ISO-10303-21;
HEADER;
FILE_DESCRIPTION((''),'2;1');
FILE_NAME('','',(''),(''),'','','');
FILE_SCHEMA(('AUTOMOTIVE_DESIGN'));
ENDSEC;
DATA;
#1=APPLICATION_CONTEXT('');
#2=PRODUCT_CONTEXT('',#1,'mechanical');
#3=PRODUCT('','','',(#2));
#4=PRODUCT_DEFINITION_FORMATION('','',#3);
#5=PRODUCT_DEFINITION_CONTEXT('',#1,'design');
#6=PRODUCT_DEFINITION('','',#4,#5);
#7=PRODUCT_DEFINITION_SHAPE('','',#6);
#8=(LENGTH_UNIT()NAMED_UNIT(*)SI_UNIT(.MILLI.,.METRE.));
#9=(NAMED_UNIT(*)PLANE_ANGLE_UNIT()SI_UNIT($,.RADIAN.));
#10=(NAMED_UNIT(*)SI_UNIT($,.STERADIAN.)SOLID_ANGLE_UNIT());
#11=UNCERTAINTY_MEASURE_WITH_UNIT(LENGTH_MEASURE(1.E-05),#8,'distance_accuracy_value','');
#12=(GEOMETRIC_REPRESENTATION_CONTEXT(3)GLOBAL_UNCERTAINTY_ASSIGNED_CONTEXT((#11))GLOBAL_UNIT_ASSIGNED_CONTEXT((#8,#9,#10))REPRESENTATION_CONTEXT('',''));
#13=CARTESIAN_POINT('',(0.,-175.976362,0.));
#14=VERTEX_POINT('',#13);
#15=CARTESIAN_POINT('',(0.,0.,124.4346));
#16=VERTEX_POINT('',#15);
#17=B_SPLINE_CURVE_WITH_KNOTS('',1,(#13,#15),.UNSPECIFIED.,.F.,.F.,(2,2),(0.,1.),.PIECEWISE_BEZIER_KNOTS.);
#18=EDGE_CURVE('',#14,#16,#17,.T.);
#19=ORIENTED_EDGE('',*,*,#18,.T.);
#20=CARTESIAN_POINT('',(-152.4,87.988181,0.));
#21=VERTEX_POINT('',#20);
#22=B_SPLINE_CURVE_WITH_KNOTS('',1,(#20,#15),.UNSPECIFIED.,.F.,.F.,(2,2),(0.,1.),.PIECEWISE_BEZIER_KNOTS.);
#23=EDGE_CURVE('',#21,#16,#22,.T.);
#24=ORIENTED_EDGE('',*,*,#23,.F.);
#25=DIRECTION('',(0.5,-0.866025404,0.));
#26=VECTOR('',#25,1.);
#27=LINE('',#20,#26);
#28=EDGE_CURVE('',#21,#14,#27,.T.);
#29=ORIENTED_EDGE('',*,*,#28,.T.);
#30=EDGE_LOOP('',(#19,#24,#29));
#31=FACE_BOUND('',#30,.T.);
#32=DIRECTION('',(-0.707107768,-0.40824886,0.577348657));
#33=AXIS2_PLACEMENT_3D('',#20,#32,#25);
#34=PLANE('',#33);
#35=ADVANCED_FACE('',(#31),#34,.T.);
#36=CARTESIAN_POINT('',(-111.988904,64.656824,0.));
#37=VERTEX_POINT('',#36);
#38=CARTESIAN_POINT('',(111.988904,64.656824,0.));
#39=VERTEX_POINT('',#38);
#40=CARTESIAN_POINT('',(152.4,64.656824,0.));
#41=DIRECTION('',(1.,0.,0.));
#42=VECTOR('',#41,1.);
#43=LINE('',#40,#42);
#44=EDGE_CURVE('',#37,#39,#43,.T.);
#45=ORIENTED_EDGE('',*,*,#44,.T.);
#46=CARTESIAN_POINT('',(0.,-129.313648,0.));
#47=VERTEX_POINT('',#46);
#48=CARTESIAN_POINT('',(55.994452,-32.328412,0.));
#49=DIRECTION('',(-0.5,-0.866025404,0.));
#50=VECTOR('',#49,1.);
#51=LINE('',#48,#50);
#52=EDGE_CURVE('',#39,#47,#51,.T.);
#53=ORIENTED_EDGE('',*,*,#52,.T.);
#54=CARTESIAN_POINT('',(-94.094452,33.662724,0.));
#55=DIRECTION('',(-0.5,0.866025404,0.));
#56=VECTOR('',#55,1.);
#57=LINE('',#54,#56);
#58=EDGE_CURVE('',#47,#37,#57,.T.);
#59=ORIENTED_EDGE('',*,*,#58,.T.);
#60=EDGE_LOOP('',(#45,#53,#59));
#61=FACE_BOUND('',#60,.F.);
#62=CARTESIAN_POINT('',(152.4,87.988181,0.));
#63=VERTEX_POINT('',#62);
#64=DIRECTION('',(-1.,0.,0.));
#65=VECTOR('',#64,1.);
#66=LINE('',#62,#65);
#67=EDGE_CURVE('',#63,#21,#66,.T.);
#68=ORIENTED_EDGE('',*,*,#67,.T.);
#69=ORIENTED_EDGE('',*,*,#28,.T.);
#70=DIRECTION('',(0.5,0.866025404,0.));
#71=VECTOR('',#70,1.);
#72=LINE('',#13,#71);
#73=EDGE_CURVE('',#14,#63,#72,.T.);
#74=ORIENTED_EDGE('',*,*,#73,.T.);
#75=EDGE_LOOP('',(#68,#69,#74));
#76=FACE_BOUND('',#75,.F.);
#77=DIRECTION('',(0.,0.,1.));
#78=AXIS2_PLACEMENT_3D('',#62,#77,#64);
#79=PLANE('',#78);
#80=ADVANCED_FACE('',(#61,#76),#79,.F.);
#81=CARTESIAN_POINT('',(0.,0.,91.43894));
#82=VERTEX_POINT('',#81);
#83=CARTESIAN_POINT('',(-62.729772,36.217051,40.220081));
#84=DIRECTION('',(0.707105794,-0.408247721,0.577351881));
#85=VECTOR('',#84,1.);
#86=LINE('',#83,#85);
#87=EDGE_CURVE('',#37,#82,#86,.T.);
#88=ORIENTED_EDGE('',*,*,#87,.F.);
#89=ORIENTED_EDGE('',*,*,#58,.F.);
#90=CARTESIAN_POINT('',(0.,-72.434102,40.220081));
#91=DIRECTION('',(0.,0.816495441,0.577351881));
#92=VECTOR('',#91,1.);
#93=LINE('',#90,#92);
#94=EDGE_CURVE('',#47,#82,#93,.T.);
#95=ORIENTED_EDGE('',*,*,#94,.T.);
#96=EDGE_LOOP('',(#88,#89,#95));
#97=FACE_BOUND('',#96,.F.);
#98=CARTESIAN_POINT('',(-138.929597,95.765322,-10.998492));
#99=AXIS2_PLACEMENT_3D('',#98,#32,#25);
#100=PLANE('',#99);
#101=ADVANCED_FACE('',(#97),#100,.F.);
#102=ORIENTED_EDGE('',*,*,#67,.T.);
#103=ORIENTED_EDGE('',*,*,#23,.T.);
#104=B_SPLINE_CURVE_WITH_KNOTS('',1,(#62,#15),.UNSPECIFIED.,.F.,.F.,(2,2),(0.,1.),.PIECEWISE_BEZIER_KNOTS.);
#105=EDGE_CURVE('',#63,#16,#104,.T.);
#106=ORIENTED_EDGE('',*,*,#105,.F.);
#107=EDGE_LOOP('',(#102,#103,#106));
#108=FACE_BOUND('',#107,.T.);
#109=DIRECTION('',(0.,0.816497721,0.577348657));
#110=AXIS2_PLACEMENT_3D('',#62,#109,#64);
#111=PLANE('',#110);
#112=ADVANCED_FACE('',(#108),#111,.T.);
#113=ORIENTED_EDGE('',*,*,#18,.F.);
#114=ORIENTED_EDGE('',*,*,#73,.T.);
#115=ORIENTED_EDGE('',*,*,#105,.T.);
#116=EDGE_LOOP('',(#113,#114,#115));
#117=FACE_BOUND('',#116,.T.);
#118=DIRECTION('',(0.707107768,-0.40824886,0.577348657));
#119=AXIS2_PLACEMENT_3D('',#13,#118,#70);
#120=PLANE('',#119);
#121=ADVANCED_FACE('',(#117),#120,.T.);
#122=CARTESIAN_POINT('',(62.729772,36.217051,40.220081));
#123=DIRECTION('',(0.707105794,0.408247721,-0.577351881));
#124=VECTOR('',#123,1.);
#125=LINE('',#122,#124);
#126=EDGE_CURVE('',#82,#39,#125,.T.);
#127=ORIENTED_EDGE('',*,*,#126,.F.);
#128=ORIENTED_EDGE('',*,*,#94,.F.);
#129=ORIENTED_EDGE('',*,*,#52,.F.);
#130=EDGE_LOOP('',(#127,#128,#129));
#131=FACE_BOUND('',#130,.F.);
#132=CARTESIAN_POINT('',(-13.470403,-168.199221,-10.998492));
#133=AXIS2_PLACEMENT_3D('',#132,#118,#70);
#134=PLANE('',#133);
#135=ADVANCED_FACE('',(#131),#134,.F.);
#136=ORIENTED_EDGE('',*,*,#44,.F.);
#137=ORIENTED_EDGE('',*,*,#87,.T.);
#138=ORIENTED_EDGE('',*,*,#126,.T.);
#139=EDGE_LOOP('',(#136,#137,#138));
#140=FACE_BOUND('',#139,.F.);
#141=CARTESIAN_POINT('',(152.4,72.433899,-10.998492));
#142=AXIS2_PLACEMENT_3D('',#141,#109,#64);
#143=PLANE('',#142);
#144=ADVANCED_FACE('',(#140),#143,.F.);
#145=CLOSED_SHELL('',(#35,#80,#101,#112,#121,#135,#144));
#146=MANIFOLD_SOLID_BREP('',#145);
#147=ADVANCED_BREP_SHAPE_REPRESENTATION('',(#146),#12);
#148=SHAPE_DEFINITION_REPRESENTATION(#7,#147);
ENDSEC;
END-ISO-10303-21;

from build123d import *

# Parameters (mm, degrees)
F3_T = -19.05


with BuildPart() as f2:
    # F0 (on Top) → F2 section 0
    with BuildSketch(Plane.XY, mode=Mode.PRIVATE) as f2_s0:
        Polygon((152.4, 87.988181), (-152.4, 87.988181), (0, -175.976362), align=None)
    loft([f2_s0.sketch, Vertex(0, 0, 124.4346)])

    # F3
    f3_openings = [f2.faces().sort_by_distance(p)[0] for p in [
        (0, 0, 0),
    ]]
    offset(amount=F3_T, openings=f3_openings)


solid = f2.part
